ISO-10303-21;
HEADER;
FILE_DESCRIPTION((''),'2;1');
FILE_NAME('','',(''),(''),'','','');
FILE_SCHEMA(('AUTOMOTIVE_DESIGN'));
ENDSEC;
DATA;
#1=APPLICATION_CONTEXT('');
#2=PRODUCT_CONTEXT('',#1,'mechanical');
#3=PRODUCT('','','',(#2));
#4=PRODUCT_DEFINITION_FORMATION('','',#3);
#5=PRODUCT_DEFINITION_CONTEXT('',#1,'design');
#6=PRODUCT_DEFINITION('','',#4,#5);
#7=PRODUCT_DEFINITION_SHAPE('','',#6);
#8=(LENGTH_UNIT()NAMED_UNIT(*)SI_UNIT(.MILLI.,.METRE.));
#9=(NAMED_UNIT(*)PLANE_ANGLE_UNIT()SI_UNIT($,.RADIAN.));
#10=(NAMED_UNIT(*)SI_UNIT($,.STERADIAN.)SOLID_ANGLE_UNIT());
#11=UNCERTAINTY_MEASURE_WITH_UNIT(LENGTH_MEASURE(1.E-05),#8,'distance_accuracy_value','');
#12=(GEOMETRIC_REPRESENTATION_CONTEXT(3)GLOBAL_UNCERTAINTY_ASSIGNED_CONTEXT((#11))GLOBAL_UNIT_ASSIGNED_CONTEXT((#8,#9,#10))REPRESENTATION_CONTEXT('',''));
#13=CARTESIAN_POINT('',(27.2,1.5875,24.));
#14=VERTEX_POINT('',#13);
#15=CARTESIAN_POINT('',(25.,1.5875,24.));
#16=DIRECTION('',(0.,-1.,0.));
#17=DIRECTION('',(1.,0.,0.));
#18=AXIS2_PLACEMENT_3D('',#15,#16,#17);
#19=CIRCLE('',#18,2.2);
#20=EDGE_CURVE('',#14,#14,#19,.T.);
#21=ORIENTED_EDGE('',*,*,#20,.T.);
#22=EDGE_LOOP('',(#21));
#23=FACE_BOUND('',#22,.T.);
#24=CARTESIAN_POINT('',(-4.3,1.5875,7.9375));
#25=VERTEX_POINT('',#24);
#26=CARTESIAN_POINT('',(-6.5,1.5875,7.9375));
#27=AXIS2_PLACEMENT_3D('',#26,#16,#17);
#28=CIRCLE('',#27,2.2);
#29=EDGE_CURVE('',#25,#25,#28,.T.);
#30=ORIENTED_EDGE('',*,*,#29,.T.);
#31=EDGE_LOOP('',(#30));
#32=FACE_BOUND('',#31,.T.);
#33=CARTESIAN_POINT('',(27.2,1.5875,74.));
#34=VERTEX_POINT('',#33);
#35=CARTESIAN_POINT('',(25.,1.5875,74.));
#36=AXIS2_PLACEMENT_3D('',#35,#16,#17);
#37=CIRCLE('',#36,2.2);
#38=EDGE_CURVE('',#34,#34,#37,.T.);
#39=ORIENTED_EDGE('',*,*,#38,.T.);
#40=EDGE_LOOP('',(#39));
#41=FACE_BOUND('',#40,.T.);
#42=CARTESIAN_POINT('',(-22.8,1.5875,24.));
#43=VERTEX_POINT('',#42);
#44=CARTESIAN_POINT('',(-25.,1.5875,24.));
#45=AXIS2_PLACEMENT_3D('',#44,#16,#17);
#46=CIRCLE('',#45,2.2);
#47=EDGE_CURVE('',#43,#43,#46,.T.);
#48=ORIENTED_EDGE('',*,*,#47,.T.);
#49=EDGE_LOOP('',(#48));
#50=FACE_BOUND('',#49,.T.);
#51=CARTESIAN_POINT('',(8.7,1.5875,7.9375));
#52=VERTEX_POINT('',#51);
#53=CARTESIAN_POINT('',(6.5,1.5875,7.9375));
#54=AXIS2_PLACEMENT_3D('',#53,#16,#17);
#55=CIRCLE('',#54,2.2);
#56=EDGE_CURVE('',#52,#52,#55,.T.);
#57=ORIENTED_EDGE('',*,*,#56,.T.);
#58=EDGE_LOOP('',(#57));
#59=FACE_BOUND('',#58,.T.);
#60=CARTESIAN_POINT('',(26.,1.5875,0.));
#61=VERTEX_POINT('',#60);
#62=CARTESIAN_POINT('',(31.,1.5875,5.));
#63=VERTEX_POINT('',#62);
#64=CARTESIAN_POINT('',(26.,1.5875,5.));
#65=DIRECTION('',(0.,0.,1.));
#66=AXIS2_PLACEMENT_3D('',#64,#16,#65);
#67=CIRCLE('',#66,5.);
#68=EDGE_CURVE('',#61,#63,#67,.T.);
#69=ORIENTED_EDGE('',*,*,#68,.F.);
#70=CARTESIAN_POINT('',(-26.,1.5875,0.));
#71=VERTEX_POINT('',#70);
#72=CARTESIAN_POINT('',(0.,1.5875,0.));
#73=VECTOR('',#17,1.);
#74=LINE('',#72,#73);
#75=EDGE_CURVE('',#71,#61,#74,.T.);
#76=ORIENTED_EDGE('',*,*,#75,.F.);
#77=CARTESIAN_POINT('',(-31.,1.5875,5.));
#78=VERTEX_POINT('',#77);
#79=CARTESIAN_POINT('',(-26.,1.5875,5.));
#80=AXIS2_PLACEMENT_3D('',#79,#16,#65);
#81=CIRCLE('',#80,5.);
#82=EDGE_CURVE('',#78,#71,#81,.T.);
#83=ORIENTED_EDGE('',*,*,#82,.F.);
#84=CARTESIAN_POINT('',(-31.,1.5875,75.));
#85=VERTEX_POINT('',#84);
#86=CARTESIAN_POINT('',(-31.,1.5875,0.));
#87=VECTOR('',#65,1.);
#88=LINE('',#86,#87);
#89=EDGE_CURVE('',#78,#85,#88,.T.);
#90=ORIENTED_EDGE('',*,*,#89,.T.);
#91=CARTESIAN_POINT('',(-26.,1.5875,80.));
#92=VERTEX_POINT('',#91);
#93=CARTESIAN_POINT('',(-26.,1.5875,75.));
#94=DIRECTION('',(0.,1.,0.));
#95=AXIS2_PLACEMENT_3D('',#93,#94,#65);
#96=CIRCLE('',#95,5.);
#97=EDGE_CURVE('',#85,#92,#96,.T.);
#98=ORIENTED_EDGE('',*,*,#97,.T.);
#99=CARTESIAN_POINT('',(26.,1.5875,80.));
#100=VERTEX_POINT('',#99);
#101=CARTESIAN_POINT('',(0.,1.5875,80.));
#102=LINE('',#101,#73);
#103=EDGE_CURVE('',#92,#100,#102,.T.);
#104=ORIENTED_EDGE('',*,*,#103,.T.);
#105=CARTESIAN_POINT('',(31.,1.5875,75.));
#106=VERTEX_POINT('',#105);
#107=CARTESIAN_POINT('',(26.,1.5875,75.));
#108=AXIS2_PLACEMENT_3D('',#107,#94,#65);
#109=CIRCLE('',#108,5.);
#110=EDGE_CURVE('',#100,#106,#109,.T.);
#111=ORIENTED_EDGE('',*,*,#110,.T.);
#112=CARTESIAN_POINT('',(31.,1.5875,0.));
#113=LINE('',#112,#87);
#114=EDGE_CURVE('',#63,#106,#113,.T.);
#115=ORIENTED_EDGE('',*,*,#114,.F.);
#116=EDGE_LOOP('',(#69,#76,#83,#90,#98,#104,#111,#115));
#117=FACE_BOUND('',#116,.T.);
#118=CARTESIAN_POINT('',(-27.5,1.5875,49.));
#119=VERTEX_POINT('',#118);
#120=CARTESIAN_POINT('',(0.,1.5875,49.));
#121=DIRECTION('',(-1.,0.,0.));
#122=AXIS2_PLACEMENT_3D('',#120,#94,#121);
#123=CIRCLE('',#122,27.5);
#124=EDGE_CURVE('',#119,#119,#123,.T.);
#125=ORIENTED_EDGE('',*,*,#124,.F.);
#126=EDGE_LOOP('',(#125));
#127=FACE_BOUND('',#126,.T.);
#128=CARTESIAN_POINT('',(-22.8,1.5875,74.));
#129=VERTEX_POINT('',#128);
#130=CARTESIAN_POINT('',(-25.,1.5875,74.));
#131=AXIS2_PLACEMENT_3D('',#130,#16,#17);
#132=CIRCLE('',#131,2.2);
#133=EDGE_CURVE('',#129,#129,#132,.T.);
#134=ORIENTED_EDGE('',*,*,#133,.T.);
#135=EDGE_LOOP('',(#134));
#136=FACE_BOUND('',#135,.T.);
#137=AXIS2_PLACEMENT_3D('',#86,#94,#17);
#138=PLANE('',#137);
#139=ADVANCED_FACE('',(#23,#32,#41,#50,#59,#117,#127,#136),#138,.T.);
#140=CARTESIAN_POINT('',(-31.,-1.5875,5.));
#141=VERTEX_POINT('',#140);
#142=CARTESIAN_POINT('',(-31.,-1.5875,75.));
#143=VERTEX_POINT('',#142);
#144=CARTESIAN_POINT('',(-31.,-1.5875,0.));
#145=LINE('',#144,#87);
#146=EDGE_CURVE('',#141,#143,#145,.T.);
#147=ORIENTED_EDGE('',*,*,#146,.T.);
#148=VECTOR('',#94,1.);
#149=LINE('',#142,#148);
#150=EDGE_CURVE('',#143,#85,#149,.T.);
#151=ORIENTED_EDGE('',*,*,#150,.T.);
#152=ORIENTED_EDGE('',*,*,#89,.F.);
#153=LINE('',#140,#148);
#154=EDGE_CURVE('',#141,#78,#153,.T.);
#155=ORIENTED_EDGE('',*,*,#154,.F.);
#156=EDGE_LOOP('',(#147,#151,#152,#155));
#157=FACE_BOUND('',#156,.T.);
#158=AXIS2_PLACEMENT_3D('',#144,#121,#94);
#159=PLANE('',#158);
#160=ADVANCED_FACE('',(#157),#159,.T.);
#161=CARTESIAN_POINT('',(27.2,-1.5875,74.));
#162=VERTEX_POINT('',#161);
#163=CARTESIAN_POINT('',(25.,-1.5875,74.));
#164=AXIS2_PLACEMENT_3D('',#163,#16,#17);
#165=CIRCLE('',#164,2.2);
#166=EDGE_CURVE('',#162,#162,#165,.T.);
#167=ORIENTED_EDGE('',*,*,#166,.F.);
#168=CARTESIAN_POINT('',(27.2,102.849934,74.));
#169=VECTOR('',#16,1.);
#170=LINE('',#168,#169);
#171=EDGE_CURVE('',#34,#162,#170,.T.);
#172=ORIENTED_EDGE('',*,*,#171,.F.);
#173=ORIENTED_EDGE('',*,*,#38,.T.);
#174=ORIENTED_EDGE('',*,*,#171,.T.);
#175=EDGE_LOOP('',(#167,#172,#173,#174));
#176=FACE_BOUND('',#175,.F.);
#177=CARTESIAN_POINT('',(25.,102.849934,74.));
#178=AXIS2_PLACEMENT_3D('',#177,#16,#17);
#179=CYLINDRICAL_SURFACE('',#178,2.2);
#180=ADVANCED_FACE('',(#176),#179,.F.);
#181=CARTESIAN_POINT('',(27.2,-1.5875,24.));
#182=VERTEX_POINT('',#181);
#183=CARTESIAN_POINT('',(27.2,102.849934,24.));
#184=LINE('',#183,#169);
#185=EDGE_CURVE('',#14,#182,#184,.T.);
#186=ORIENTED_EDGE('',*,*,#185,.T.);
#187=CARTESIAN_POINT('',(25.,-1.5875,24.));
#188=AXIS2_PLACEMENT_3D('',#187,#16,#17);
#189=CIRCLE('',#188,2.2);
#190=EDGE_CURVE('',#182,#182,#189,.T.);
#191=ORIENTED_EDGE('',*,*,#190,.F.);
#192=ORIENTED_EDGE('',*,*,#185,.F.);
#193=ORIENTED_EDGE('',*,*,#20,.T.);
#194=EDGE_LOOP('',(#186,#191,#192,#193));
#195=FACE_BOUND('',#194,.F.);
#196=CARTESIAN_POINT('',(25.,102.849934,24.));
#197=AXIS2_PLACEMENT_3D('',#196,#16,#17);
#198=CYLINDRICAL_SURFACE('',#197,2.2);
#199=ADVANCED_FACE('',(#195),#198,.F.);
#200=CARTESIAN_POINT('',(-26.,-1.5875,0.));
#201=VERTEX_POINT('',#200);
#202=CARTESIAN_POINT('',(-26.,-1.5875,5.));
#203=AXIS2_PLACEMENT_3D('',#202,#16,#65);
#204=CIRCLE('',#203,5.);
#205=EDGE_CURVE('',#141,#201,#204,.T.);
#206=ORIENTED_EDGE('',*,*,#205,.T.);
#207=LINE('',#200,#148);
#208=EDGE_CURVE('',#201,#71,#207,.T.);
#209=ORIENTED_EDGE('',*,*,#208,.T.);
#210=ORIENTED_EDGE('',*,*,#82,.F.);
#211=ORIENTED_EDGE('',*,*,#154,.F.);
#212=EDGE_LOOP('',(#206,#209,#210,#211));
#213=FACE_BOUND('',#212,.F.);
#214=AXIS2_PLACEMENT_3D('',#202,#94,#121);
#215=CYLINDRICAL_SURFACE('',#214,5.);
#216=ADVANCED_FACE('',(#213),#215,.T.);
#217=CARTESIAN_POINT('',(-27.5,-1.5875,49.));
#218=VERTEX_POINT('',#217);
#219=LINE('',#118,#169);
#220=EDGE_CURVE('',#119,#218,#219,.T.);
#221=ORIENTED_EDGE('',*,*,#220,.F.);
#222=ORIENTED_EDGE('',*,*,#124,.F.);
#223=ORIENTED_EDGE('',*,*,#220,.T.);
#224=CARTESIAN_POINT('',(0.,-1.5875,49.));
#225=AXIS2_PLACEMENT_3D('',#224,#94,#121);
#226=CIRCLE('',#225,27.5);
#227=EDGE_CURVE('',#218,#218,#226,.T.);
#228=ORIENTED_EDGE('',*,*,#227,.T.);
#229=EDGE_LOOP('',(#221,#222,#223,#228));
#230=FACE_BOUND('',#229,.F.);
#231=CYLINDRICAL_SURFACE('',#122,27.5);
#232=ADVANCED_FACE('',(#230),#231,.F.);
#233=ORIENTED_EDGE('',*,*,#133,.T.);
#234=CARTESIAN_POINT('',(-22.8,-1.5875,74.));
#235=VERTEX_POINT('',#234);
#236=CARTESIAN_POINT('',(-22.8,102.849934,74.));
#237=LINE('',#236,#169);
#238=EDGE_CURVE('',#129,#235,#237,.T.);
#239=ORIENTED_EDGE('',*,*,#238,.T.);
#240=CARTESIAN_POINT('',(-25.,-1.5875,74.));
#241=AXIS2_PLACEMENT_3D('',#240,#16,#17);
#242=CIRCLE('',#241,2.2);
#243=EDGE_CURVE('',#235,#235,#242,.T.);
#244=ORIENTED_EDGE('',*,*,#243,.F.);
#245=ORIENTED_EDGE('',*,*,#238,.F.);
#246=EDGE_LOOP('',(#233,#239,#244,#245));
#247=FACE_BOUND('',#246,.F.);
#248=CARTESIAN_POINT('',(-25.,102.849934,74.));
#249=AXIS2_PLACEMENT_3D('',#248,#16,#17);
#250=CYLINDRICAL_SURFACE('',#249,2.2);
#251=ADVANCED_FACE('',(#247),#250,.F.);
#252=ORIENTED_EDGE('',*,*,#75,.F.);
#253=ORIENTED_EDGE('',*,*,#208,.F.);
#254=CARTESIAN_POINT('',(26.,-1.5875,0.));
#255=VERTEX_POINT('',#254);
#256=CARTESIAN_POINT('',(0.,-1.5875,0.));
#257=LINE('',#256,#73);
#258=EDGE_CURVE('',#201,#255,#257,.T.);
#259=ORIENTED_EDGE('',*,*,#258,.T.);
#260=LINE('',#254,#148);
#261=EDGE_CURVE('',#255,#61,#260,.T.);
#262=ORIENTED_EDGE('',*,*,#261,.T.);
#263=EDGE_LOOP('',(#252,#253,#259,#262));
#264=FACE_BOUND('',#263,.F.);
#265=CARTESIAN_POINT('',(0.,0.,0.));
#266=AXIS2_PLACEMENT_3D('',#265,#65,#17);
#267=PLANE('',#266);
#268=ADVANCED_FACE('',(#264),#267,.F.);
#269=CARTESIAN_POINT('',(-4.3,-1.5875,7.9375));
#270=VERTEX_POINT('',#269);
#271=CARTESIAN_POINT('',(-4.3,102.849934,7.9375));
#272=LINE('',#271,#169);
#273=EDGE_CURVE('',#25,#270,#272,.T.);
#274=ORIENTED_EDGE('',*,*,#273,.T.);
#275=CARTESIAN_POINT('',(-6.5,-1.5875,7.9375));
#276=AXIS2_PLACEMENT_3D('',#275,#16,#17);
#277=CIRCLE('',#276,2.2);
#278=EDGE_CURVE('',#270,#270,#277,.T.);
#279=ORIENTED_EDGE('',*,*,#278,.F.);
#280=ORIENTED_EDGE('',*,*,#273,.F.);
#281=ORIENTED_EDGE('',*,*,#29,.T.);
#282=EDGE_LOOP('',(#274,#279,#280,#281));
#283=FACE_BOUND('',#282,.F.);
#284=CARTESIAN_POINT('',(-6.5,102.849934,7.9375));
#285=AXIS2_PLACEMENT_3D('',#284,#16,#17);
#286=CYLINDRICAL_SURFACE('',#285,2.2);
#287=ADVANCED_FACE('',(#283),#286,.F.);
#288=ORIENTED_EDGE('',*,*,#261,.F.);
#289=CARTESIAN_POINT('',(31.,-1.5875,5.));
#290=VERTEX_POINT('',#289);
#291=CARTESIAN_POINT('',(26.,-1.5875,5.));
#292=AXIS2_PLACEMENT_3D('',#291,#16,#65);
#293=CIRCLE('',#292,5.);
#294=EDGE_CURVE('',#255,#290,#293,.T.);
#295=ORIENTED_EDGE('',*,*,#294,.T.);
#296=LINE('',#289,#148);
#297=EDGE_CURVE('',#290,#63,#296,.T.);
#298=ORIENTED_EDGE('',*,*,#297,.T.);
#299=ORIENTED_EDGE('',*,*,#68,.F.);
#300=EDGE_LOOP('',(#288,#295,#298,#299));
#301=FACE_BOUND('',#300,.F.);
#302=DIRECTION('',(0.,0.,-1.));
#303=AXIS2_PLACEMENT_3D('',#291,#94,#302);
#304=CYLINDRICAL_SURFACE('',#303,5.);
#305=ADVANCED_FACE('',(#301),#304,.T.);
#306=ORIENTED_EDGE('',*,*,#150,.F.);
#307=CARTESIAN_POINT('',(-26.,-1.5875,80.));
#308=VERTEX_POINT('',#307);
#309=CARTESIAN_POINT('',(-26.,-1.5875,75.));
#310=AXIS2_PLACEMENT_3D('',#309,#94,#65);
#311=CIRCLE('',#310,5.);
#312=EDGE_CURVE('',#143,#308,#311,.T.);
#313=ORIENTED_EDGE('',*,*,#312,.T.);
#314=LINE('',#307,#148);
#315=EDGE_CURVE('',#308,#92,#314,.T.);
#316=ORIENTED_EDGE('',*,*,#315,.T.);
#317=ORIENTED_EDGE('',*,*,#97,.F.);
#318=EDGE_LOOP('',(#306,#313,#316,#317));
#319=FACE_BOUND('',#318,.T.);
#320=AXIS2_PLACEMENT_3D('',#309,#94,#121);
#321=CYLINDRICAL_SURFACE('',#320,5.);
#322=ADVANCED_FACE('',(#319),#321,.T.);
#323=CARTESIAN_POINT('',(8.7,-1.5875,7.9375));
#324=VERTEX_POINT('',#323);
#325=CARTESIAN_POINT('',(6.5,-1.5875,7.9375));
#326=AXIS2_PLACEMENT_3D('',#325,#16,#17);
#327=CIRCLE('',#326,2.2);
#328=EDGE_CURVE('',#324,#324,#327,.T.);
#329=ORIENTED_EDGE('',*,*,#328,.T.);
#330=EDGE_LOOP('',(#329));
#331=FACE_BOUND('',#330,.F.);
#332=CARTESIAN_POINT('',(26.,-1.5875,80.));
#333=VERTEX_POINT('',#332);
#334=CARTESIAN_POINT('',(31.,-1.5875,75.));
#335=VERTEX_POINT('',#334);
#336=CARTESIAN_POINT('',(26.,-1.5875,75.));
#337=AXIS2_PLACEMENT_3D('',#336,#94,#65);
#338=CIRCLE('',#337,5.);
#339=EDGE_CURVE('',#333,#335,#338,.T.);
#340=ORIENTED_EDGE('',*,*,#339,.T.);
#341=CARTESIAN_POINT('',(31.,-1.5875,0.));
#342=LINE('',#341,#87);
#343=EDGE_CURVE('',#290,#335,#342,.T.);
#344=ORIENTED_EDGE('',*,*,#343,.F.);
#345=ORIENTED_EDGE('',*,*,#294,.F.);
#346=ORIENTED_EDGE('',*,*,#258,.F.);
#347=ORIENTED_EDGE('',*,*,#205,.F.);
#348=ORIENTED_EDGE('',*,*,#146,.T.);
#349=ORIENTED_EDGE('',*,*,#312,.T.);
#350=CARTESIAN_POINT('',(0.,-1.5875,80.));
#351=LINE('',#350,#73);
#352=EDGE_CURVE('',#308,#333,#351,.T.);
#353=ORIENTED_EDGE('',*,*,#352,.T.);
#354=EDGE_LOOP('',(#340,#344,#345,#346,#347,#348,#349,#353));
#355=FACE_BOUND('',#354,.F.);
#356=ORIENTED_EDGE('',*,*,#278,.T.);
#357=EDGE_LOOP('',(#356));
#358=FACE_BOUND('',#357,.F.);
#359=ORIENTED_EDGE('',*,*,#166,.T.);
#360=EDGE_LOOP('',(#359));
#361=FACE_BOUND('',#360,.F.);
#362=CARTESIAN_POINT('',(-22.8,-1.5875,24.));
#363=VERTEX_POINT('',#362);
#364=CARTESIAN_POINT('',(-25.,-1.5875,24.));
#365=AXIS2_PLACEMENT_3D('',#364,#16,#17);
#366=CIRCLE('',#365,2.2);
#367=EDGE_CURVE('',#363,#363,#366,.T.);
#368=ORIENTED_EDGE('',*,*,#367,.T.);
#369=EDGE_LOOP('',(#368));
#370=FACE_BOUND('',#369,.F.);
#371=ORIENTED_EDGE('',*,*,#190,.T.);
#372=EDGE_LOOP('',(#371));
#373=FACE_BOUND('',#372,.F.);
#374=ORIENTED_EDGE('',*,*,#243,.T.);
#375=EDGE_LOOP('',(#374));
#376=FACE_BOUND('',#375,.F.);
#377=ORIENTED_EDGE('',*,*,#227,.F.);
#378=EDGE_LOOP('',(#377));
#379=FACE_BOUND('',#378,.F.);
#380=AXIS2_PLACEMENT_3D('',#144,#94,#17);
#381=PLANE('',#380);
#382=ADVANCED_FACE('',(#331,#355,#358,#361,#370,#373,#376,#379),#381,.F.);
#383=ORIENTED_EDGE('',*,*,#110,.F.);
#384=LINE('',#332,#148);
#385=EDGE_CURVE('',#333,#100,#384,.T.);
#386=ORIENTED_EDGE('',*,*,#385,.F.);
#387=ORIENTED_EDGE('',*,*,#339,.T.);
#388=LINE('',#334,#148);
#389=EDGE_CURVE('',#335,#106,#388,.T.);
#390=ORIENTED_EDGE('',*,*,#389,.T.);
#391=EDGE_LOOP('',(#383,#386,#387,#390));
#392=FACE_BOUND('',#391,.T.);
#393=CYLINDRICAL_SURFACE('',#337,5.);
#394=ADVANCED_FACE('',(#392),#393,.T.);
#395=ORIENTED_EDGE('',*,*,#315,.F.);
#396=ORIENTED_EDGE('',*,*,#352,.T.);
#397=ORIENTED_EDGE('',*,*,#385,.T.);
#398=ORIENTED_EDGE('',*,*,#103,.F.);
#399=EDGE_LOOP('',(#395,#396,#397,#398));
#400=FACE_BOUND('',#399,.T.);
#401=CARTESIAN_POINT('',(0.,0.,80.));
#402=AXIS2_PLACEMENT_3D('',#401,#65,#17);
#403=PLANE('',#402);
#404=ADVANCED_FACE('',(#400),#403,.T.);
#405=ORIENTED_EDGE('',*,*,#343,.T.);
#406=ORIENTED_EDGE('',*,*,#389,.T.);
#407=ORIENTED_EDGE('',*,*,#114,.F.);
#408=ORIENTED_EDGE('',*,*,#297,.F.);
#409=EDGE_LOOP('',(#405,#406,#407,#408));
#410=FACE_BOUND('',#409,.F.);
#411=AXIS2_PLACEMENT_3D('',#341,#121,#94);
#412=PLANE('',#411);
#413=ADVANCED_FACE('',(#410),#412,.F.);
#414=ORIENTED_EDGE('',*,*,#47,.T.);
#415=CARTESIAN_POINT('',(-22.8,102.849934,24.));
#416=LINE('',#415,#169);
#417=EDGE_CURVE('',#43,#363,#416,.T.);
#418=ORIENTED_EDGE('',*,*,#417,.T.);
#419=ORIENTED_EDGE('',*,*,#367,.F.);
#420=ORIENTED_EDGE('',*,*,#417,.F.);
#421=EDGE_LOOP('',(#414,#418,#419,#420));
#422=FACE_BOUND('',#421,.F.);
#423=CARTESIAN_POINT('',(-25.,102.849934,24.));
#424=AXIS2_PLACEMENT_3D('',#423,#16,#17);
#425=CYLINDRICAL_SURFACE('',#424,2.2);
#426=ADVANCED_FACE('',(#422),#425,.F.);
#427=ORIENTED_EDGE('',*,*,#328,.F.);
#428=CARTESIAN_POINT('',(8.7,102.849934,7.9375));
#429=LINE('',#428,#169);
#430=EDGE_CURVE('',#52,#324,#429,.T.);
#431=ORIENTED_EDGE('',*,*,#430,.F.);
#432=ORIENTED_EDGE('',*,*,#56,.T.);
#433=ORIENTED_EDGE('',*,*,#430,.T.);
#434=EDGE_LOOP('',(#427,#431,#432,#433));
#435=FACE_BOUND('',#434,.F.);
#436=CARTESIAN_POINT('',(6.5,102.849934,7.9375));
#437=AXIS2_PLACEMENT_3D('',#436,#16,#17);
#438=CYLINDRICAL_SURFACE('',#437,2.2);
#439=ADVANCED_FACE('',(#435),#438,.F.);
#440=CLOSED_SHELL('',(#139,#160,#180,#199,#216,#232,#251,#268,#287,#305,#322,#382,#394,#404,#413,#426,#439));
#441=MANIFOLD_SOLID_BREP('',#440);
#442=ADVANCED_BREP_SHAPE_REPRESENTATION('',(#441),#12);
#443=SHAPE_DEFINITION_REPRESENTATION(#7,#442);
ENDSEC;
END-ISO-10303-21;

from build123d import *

# Parameters (mm, degrees)
F0_W     = 62
F0_H     = 3.175
F1_DEPTH = 80
F3_D     = 4.4
F5_D     = 4.4
F4_R     = 27.5
F6_DEPTH = 25
F7_R     = 5


with BuildPart() as f1:
    # F0 (on Top) → F1 (new body)
    with BuildSketch(Plane.XY):
        Rectangle(F0_W, F0_H)
    extrude(amount=F1_DEPTH)

    # F3 (through all)
    with Locations(Plane(origin=(0, 1.5875, 0), x_dir=(-1, 0, 0), z_dir=(0, 1, 0))):
        with Locations((-6.5, 7.9375), (6.5, 7.9375)):
            Hole(F3_D / 2)

    # F5 (through all)
    with Locations(Plane(origin=(0, 1.5875, 0), x_dir=(-1, 0, 0), z_dir=(0, 1, 0))):
        with Locations((-25, 74), (25, 74), (25, 24), (-25, 24)):
            Hole(F5_D / 2)

    # F4 (on face) → F6 (cut)
    with BuildSketch(Plane(origin=(0, 1.5875, 0), x_dir=(-1, 0, 0), z_dir=(0, 1, 0))):
        with Locations((0, 49)):
            Circle(F4_R)
    extrude(amount=-F6_DEPTH, mode=Mode.SUBTRACT)

    # F7
    f7_edges = [f1.edges().sort_by_distance(p)[0] for p in [
        (31, 0, 80),
        (-31, 0, 80),
        (-31, 0, 0),
        (31, 0, 0),
    ]]
    fillet(f7_edges, radius=F7_R)


solid = f1.part
